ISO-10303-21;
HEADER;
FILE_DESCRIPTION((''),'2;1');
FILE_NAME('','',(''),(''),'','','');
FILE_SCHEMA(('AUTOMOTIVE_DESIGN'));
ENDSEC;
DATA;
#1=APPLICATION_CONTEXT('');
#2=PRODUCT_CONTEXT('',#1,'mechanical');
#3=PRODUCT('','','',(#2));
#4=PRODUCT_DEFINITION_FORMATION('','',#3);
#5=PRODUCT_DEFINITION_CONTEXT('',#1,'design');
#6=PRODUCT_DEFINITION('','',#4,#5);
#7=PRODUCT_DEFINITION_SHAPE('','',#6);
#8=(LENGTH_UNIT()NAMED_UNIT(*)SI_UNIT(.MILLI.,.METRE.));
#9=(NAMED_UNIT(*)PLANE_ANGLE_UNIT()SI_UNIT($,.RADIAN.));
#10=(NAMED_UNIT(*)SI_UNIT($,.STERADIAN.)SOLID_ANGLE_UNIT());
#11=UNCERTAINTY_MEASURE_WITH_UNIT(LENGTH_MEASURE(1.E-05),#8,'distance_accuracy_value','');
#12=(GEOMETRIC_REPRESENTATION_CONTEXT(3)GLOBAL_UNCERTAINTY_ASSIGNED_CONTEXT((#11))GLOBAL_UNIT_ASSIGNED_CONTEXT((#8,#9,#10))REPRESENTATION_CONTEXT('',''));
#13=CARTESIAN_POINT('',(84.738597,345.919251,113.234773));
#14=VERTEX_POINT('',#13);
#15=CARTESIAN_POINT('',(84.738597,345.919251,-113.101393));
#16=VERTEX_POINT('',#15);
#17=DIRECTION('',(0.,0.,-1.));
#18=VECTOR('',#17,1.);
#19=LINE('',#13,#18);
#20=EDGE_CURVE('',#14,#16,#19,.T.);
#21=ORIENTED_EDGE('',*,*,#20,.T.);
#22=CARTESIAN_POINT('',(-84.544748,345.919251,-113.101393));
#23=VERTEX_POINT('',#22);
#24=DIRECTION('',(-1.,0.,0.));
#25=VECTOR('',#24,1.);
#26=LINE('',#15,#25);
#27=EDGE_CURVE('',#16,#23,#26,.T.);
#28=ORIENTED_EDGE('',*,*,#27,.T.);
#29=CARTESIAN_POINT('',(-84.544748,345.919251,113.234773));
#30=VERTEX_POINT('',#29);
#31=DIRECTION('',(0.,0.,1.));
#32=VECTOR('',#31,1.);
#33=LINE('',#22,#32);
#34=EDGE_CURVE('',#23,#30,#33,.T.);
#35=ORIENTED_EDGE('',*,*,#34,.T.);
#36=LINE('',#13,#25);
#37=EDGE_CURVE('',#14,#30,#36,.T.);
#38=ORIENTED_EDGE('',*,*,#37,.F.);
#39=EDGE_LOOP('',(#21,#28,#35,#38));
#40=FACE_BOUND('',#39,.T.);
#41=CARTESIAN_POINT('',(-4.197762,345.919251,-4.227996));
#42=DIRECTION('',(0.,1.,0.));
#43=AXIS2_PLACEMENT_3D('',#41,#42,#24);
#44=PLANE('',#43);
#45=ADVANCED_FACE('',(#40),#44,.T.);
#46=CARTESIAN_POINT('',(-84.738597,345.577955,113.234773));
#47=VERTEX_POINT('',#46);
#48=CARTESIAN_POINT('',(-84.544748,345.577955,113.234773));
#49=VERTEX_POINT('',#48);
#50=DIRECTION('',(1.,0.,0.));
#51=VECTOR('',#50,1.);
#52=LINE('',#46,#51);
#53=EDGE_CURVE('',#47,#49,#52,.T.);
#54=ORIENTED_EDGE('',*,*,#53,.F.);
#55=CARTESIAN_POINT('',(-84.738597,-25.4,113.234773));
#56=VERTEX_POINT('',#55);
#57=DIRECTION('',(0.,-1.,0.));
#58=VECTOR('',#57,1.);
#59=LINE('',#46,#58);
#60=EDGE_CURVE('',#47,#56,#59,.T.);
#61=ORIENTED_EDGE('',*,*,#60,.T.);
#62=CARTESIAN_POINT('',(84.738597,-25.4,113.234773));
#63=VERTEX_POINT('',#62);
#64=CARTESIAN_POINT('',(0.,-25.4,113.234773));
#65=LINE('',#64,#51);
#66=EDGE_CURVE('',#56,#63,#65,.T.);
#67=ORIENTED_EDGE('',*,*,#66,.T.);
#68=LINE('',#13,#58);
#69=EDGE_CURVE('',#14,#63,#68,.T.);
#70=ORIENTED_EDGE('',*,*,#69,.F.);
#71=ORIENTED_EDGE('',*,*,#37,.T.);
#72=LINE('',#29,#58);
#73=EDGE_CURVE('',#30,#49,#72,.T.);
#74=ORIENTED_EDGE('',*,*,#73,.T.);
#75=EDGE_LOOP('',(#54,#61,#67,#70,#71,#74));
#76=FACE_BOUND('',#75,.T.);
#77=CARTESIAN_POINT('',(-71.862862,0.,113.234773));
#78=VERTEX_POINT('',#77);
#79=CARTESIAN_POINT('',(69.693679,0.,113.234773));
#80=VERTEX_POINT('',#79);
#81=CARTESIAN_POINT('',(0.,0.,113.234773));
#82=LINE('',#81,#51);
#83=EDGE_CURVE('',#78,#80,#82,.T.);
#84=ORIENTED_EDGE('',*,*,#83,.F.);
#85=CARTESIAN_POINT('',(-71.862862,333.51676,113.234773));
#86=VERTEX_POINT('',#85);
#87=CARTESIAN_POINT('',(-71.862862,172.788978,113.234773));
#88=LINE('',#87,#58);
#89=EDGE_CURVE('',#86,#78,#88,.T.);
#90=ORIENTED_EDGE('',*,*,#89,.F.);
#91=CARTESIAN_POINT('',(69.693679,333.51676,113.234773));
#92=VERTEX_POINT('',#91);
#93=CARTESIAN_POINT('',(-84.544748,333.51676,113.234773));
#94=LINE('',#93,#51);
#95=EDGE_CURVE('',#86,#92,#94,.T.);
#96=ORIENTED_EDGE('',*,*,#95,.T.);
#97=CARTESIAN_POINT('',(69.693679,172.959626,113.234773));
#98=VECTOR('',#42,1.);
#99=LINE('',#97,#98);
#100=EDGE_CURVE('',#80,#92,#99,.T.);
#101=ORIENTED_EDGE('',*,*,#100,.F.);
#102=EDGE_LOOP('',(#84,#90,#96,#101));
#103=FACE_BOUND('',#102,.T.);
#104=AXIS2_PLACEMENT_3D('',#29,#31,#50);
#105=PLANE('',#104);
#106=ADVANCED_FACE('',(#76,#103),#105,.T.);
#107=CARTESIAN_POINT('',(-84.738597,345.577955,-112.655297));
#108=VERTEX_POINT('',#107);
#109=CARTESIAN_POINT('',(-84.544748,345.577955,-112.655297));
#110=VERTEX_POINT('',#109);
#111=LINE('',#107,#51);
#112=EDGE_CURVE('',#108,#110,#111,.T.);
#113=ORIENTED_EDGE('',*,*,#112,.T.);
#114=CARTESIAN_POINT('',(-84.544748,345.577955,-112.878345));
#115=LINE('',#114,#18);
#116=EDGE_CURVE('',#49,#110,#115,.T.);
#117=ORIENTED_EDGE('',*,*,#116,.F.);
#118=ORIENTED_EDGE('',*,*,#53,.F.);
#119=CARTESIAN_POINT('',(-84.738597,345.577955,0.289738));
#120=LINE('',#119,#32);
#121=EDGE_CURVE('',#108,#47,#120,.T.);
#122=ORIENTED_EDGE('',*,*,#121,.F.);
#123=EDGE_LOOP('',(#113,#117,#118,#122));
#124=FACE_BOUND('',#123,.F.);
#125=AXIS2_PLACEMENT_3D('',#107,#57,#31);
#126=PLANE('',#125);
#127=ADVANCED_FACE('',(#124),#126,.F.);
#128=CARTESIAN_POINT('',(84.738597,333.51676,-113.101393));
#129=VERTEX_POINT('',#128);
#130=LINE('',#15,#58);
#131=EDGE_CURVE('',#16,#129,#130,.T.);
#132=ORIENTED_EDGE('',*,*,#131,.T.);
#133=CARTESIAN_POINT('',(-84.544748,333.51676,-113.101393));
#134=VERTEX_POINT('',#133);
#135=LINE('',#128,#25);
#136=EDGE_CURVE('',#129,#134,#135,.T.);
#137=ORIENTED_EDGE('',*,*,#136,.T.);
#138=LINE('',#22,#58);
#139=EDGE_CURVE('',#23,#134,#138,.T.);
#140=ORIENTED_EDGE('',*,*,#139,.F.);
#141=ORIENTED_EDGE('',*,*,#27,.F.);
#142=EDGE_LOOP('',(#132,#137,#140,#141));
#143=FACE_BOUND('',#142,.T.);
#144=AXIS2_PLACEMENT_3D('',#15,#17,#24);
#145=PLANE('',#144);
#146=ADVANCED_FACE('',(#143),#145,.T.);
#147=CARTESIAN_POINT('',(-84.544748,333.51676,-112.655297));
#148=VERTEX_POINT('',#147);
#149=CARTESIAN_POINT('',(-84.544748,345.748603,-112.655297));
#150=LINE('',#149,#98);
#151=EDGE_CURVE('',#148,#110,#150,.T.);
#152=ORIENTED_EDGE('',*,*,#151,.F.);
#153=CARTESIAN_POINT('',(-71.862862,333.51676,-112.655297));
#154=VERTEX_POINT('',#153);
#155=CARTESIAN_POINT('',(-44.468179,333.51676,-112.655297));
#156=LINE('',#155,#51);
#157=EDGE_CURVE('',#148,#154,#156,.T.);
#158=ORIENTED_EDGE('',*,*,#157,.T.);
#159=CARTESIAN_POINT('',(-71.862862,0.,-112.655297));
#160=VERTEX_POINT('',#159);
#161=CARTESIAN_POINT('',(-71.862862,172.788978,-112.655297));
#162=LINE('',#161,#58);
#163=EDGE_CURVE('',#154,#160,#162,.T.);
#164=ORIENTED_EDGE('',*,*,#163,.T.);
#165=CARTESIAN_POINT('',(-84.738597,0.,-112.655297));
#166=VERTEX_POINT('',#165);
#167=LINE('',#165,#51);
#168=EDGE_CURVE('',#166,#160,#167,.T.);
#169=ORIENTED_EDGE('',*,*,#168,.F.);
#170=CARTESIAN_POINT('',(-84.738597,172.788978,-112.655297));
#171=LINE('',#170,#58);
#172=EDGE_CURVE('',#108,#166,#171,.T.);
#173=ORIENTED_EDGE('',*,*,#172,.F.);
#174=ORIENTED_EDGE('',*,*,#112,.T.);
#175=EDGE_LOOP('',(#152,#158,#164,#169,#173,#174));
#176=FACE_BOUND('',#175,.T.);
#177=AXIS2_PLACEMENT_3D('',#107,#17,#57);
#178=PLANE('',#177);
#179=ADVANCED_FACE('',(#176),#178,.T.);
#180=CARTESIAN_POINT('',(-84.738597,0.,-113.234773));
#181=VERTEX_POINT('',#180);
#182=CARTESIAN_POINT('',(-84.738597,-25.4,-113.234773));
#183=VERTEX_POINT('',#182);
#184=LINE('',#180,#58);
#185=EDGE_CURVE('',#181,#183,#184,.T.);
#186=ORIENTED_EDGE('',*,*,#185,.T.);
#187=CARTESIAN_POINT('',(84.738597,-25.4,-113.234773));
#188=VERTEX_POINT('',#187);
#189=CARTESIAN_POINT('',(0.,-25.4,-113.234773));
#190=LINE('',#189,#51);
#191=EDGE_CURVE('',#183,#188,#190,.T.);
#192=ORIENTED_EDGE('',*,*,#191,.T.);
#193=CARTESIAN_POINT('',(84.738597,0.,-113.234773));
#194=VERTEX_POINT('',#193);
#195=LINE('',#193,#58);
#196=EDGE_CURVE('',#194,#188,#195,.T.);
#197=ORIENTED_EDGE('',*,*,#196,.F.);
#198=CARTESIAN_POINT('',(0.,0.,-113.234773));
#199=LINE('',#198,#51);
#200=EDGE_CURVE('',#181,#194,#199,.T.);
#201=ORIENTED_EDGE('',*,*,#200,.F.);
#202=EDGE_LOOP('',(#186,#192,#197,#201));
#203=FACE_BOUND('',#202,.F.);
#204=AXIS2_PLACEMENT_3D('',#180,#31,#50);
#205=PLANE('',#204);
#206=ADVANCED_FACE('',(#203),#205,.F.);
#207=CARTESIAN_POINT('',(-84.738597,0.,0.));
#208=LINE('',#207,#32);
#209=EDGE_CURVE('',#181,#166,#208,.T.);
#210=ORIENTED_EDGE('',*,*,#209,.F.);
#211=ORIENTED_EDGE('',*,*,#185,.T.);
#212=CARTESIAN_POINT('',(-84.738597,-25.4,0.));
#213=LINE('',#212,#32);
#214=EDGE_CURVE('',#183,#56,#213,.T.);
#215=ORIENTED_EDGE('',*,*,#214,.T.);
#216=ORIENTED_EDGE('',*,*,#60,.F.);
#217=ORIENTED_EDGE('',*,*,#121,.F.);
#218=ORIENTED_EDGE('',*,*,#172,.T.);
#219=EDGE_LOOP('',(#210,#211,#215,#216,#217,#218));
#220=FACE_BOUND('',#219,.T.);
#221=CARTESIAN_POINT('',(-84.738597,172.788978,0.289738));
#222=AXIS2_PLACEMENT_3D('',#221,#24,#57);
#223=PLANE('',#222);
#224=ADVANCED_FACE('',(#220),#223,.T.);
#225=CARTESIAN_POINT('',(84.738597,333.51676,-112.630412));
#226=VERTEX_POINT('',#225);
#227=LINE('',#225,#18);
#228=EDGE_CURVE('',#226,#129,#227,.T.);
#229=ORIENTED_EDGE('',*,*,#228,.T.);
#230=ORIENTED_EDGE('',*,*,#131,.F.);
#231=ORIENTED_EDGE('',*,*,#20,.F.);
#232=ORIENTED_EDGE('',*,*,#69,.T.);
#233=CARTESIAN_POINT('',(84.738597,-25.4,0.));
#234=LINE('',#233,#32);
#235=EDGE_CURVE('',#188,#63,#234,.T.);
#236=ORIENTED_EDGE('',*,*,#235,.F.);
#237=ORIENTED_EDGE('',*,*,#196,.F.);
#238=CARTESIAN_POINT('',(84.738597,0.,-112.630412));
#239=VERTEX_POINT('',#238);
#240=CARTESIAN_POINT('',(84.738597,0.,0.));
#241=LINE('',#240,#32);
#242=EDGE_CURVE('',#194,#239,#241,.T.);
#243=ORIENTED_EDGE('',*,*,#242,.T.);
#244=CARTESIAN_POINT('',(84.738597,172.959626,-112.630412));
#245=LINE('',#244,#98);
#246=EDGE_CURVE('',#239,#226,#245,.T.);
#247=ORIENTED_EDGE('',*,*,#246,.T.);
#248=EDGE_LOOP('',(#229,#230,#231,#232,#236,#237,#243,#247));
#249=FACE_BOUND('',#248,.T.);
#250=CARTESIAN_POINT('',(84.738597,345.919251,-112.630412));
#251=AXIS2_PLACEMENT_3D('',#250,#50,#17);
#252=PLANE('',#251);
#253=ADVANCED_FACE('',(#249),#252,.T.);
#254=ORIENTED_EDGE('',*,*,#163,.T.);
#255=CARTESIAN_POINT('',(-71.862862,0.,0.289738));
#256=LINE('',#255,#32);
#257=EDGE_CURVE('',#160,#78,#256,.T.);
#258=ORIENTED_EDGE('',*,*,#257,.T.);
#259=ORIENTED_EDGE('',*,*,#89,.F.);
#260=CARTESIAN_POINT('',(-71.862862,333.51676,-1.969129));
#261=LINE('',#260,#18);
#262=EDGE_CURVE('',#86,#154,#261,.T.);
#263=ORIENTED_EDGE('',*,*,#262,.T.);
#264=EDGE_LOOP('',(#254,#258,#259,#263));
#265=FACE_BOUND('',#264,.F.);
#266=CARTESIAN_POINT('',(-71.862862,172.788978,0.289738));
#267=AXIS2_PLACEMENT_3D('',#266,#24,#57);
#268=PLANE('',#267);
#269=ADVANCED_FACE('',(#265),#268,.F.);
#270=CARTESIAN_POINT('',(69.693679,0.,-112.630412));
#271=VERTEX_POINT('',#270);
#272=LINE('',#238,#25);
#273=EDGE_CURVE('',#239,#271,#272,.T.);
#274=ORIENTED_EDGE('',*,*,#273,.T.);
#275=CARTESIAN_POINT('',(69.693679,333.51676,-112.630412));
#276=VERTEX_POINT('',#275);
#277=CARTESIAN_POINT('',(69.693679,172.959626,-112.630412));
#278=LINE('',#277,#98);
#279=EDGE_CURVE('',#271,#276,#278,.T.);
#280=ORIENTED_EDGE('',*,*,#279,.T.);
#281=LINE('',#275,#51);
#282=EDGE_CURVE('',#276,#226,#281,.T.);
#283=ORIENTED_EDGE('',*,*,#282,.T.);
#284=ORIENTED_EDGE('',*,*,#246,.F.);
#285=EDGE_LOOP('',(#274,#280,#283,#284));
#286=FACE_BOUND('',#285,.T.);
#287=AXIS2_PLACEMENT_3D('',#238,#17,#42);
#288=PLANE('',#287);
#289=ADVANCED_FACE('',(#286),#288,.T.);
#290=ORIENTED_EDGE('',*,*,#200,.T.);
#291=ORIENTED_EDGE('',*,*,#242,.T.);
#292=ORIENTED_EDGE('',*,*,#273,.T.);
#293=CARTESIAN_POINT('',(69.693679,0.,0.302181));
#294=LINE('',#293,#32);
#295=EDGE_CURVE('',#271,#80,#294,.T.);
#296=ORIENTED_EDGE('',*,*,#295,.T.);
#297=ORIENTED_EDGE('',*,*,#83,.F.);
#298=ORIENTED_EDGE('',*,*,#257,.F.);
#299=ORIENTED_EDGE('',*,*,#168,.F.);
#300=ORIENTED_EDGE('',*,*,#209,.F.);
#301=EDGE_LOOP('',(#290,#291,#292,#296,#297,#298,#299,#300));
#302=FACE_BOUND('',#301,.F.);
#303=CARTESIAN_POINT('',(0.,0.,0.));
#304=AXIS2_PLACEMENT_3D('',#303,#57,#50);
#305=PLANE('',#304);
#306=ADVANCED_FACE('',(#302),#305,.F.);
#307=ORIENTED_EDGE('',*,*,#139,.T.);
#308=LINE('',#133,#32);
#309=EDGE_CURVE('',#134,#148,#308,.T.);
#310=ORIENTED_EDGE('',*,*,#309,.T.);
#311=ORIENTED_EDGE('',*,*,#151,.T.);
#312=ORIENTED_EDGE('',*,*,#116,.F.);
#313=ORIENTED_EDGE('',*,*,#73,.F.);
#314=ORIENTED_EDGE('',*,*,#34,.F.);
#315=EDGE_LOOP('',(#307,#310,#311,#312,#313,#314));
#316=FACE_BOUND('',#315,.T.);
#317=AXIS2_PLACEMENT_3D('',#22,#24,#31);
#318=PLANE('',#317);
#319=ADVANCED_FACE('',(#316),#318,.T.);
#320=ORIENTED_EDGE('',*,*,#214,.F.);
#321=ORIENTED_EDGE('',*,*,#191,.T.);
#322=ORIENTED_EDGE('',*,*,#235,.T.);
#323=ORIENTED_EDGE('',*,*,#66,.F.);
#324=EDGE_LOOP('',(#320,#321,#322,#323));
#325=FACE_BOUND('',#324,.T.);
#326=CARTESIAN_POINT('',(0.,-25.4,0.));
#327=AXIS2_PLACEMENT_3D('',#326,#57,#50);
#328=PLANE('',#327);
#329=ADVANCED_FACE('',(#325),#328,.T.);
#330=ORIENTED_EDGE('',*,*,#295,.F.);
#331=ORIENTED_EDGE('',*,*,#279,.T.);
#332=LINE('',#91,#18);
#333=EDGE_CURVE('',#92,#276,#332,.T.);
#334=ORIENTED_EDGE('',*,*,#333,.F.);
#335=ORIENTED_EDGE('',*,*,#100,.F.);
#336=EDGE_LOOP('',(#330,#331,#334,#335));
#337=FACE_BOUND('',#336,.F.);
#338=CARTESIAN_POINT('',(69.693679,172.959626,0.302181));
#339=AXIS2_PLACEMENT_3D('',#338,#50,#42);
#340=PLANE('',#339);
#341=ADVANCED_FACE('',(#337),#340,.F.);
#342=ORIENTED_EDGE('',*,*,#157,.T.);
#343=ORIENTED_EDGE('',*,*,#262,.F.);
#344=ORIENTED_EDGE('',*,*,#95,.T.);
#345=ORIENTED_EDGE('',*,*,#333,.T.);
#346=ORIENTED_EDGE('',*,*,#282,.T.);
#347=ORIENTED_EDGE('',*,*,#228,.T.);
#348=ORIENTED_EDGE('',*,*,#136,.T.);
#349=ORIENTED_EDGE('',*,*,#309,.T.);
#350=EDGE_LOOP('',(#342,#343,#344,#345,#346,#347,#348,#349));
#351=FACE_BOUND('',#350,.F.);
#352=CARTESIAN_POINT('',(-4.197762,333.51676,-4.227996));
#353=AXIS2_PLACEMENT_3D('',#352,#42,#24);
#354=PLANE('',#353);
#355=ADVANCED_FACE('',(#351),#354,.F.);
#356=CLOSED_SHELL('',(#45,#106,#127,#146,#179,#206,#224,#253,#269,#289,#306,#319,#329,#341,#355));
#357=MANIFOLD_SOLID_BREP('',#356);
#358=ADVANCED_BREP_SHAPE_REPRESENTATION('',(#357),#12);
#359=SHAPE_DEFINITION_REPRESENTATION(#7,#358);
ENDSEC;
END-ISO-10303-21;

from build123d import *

# Parameters (mm, degrees)
F0_W     = 169.4771945477
F0_H     = 226.4695465565
F1_DEPTH = 25.4
F3_W     = 345.577955246
F3_H     = 225.8900702
F4_DEPTH = 12.8757357597
F2_W     = 345.919251442
F2_H     = 225.8651852608
F5_DEPTH = 15.0449182838
F7_DEPTH = 12.402491644


with BuildPart() as f1:
    # F0 (on Front) → F1 (new body)
    with BuildSketch(Plane.XZ):
        Rectangle(F0_W, F0_H)
    extrude(amount=F1_DEPTH)

    # F3 (on face) → F4 (join)
    with BuildSketch(Plane(origin=(-84.7385972738, 0, 0), x_dir=(0, -1, 0), z_dir=(-1, 0, 0))):
        with Locations((-172.788977623, 0.2897381783)):
            Rectangle(F3_W, F3_H)
    extrude(amount=-F4_DEPTH)

    # F2 (on face) → F5 (join)
    with BuildSketch(Plane.YZ.offset(84.7385972738)):
        with Locations((172.959625721, 0.3021806479)):
            Rectangle(F2_W, F2_H)
    extrude(amount=-F5_DEPTH)

    # F6 (on face) → F7 (join)
    with BuildSketch(Plane(origin=(0, 345.919251442, 0), x_dir=(-1, 0, 0), z_dir=(0, 1, 0))):
        Polygon((84.5447480679, 113.2347732782), (-69.69367899, 113.2347732782), (-69.69367899, -112.6304119825), (-84.7385972738, -112.6304119825), (-84.7385972738, -113.1013929844), (84.5447480679, -113.1013929844), align=None)
    extrude(amount=-F7_DEPTH)


solid = f1.part
